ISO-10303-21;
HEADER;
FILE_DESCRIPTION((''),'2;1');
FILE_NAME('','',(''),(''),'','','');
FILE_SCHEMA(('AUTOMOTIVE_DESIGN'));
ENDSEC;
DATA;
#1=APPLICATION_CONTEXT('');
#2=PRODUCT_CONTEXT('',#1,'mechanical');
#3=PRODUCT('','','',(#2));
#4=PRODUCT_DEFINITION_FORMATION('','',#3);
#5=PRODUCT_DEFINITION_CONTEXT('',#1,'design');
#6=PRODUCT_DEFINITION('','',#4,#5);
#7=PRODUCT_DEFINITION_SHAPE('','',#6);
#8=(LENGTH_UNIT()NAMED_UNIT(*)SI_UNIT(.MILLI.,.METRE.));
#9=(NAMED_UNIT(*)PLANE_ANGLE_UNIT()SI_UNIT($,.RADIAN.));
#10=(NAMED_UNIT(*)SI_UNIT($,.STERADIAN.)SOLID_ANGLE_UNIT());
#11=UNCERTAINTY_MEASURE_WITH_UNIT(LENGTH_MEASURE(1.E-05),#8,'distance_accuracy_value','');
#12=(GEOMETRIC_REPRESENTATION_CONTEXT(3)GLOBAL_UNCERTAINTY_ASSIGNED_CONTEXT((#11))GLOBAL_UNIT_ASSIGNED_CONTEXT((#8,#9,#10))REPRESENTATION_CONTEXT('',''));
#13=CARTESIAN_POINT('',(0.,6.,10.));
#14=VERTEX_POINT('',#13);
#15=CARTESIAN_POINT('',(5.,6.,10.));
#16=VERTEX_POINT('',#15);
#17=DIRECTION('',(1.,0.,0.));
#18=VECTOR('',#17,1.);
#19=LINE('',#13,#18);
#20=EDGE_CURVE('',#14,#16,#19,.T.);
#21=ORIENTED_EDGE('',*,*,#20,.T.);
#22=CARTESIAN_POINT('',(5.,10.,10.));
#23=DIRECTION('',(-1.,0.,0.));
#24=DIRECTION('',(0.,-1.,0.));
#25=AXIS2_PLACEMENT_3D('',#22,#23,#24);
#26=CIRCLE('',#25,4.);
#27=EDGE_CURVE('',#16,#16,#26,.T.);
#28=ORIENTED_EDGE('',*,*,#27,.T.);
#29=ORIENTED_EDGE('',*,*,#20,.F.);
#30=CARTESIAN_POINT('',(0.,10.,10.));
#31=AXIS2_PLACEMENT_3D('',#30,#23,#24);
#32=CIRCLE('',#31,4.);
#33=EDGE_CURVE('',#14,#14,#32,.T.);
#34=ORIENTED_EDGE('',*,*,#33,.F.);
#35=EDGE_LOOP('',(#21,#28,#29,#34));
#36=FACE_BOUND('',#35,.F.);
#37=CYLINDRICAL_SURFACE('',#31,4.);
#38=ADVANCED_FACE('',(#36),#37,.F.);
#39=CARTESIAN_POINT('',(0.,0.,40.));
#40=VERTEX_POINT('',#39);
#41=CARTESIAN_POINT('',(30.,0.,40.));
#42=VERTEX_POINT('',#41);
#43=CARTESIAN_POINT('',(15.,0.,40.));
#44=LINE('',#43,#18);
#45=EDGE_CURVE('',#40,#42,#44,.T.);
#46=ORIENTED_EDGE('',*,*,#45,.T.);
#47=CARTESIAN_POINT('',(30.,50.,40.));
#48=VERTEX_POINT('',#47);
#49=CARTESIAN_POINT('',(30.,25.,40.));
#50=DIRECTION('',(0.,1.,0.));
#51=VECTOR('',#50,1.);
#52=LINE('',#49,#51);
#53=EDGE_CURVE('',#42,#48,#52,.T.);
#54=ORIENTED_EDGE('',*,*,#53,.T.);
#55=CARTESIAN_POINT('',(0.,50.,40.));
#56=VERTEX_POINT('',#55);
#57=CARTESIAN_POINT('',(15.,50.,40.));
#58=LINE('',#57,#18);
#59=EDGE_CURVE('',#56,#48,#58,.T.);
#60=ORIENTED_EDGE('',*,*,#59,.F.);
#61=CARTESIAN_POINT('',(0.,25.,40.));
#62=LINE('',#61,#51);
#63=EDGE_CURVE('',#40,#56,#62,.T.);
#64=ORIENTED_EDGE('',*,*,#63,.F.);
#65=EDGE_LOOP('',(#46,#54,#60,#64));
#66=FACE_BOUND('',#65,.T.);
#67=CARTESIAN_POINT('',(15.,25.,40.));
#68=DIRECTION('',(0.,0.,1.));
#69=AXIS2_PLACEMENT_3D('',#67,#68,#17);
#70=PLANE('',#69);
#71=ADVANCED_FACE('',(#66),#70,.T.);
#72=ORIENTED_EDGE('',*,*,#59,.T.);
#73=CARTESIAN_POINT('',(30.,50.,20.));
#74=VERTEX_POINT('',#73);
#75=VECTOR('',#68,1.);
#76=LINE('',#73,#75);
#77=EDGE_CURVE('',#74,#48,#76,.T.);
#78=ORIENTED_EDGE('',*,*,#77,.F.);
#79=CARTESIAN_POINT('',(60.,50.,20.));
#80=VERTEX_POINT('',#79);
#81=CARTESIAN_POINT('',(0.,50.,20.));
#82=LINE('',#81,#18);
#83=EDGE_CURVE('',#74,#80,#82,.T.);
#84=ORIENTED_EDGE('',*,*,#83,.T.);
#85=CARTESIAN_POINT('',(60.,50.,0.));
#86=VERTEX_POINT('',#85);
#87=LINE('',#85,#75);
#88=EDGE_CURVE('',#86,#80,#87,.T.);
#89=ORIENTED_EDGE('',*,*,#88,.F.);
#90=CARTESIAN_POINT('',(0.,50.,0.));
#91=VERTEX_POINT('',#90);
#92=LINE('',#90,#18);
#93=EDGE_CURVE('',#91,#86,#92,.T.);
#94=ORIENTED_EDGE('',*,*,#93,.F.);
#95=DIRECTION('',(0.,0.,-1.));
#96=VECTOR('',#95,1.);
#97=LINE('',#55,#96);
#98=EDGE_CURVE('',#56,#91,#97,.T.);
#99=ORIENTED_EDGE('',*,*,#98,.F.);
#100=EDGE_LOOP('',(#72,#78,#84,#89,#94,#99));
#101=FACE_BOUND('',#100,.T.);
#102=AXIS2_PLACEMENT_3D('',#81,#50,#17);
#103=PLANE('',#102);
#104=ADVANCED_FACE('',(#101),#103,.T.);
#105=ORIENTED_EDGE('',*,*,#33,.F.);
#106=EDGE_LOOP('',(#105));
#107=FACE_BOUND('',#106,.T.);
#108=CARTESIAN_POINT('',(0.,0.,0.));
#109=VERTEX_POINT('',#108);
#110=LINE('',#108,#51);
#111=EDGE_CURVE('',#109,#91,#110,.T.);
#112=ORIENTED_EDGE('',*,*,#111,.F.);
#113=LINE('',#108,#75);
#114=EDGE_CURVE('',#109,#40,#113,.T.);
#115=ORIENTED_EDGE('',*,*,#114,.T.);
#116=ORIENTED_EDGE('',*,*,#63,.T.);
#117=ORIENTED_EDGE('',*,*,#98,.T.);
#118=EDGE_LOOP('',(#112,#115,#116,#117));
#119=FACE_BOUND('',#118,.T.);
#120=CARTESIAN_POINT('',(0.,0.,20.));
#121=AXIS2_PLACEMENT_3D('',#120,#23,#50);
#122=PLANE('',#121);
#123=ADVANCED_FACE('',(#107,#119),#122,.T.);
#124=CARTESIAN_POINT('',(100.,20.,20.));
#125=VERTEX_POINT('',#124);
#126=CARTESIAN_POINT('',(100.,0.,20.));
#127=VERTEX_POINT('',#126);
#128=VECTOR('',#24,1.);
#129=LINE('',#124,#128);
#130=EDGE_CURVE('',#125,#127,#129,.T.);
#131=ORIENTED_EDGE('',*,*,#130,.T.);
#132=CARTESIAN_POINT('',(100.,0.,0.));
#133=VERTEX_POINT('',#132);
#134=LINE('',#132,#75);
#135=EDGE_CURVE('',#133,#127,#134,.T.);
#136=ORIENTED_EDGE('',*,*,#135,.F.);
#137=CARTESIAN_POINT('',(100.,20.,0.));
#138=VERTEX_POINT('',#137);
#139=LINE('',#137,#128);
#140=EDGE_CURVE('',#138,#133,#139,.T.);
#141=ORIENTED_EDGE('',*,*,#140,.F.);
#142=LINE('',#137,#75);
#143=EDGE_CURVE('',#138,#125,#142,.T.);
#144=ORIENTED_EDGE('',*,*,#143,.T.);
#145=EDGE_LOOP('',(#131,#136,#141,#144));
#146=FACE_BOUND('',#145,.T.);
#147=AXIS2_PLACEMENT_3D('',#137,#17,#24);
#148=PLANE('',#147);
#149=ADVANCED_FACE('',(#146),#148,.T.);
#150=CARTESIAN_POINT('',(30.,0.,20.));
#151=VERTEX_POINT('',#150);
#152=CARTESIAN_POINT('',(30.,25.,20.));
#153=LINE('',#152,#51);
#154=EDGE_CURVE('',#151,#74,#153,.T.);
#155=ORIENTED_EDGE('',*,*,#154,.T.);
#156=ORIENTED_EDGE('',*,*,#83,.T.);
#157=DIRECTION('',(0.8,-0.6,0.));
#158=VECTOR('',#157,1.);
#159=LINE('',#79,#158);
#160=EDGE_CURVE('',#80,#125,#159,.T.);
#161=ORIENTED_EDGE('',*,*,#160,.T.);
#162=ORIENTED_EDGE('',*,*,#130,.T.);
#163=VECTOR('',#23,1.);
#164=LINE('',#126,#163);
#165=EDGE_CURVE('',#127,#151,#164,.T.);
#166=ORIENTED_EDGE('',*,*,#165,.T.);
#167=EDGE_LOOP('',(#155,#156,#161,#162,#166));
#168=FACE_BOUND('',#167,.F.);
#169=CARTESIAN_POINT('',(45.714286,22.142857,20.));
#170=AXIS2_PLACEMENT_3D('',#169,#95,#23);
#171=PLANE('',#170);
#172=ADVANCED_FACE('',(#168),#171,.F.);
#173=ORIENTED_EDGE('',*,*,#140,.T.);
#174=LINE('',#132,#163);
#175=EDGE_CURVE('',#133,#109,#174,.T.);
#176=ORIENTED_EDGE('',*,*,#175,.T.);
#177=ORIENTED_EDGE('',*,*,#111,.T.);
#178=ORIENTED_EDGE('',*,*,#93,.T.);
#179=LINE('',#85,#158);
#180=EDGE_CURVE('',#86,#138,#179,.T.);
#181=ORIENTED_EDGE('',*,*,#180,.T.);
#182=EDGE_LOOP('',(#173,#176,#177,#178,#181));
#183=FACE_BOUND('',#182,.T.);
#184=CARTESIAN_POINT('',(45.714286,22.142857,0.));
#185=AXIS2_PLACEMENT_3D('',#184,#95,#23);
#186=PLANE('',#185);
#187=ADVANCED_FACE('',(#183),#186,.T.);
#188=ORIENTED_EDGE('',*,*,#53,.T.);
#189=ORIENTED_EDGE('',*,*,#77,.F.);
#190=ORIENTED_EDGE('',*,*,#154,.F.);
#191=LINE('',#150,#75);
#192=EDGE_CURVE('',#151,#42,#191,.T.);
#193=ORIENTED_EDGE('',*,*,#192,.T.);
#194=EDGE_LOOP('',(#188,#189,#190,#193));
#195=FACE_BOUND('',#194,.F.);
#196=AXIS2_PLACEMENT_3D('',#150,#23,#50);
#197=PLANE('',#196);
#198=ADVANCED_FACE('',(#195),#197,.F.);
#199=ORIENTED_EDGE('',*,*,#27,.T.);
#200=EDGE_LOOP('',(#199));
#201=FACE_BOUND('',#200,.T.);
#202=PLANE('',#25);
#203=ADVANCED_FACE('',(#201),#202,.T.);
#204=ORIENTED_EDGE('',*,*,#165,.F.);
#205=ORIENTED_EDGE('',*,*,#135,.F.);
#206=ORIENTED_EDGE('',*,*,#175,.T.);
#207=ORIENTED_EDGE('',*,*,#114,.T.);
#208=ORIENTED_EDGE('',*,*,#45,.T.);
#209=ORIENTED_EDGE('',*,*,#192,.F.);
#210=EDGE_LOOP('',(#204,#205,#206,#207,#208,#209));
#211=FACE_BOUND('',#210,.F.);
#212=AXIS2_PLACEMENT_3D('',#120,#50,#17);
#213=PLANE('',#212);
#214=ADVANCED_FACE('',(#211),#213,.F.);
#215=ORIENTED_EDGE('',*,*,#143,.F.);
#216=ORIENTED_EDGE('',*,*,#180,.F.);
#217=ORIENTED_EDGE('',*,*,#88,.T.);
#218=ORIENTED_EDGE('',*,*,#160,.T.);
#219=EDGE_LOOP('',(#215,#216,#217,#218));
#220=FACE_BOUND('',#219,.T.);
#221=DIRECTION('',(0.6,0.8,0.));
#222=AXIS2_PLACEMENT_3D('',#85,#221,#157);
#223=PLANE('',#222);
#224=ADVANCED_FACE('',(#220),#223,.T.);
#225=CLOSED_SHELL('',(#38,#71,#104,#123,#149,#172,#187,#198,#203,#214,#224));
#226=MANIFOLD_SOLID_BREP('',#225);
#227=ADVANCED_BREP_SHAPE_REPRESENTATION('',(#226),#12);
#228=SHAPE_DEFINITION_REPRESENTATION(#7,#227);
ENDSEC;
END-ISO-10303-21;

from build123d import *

# Parameters (mm, degrees)
PAD_DEPTH    = 20
SKETCH001_W  = 30
SKETCH001_H  = 50
PAD001_DEPTH = 20
SKETCH004_R  = 4
POCKET_DEPTH = 5


with BuildPart() as part:
    # Sketch → Pad (new body)
    with BuildSketch(Plane.XY):
        Polygon((0, 0), (0, 50), (60, 50), (100, 20), (100, 0), align=None)
    extrude(amount=PAD_DEPTH)

    # Sketch001 (on Face7 of Pad) → Pad001 (join)
    with BuildSketch(Plane.XY.offset(20)):
        with Locations((15, 25)):
            Rectangle(SKETCH001_W, SKETCH001_H)
    extrude(amount=PAD001_DEPTH)

    # Sketch004 (on Face7 of Pad001) → Pocket (cut)
    with BuildSketch(Plane(origin=(0, 0, 0), x_dir=(0, -1, 0), z_dir=(-1, 0, 0))):
        with Locations((-10, 10)):
            Circle(SKETCH004_R)
    extrude(amount=-POCKET_DEPTH, mode=Mode.SUBTRACT)


solid = part.part
